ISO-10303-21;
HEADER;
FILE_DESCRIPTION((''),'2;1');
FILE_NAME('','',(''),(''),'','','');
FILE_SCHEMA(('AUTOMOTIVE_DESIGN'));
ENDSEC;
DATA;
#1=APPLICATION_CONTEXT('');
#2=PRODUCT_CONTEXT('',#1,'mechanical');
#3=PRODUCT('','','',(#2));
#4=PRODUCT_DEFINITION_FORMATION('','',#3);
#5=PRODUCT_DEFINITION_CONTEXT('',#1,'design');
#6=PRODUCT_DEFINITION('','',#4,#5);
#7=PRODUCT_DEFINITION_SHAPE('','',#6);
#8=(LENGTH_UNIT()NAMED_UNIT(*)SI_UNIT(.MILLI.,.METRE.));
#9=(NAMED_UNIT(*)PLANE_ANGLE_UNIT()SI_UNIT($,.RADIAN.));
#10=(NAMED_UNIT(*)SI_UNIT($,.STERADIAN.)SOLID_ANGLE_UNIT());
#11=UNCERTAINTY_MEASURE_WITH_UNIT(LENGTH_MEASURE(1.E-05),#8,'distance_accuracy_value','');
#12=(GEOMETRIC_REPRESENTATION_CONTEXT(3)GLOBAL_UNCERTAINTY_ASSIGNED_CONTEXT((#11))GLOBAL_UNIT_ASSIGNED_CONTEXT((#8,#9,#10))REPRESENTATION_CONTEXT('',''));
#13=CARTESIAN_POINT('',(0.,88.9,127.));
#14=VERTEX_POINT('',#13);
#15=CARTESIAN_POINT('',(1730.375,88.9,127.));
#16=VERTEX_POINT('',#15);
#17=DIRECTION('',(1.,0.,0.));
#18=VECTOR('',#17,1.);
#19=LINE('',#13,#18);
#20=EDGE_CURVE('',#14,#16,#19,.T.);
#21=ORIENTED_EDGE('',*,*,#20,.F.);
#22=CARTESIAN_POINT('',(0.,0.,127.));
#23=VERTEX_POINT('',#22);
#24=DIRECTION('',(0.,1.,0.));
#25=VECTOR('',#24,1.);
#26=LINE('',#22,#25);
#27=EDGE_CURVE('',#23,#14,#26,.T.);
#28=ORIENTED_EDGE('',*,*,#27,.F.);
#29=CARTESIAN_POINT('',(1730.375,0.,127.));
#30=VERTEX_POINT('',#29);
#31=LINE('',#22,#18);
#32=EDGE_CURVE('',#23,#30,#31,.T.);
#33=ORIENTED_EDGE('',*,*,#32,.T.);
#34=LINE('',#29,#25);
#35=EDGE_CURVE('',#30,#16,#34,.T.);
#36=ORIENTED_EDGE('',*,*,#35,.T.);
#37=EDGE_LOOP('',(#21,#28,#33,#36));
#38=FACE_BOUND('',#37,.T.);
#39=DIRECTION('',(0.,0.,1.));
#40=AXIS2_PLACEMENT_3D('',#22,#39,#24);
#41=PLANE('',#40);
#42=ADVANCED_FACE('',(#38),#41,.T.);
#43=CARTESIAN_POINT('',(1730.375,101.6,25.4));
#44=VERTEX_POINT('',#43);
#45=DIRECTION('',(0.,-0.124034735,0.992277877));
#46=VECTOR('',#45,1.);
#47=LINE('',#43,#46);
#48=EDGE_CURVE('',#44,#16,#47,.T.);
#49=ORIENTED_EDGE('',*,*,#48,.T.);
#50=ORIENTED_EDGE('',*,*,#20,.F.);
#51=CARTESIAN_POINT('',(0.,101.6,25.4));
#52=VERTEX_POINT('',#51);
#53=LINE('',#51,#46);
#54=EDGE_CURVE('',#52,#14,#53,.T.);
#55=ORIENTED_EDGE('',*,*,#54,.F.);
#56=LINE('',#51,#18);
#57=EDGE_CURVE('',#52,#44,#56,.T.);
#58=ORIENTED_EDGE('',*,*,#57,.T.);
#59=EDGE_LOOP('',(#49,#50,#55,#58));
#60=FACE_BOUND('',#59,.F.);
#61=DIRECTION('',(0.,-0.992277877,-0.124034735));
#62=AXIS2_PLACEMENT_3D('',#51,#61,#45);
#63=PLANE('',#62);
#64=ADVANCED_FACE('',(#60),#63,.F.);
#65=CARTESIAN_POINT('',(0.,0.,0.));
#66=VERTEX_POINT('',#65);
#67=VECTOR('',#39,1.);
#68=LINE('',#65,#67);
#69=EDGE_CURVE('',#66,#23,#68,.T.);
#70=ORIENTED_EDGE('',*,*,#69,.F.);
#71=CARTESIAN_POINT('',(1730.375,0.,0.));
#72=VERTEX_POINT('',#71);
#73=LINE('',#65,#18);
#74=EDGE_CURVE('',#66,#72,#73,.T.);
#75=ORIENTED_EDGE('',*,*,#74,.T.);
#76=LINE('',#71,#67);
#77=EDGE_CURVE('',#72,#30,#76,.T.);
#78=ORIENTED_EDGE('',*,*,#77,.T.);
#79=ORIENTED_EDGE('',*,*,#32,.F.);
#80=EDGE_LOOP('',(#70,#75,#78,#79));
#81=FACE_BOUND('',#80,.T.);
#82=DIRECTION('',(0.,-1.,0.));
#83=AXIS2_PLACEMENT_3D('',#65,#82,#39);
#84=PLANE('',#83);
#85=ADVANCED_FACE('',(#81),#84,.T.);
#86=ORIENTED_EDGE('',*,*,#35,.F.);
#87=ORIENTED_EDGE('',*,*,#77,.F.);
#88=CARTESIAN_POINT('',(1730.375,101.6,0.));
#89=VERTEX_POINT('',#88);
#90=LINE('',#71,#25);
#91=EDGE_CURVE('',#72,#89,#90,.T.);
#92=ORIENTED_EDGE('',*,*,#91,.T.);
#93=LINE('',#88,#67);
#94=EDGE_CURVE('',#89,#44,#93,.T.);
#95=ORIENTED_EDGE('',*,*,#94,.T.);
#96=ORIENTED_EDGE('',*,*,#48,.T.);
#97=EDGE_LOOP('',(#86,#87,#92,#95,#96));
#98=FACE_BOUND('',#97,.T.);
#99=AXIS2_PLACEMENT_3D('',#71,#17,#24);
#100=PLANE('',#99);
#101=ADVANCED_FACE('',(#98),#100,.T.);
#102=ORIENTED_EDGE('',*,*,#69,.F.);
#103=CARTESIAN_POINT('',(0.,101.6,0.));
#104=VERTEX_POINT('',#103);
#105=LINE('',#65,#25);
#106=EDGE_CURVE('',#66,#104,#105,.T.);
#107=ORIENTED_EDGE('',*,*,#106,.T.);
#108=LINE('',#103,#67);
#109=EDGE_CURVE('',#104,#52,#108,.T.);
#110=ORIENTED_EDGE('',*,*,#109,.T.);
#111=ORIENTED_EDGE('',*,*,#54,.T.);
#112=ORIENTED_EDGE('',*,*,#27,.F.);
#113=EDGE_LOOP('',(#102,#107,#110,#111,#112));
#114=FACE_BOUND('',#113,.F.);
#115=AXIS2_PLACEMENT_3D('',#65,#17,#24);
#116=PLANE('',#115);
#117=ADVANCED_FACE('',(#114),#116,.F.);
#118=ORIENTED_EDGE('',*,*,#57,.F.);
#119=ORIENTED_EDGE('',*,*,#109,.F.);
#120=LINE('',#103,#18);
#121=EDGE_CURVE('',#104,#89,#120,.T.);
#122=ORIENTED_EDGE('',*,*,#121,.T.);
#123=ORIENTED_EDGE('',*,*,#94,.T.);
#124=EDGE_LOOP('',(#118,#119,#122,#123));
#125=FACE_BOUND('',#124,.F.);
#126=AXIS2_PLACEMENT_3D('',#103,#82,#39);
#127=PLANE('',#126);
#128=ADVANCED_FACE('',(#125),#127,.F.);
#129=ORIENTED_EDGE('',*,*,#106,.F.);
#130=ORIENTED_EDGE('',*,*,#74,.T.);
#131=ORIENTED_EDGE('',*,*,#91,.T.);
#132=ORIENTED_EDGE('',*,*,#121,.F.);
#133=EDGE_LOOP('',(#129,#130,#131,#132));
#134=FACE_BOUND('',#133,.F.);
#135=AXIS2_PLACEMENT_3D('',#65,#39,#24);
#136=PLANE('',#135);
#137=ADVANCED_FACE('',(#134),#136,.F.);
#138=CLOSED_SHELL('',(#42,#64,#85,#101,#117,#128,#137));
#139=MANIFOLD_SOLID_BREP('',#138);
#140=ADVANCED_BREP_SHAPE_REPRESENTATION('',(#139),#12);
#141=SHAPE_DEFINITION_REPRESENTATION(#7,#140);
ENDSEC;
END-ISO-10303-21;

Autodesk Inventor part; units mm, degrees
ref_plane "YZ Plane" through (0, 0, 0) normal (1, 0, 0) x (0, 1, 0)
ref_plane "XZ Plane" through (0, 0, 0) normal (0, 1, 0) x (-1, 0, 0)
ref_plane "XY Plane" through (0, 0, 0) normal (0, 0, 1) x (1, 0, 0)
sketch "Sketch1" plane through (0, 0, 0) normal (1, 0, 0) x (0, 1, 0)
  line L0 (0, 0) -> (101.6, 0)
  line L1 (0, 0) -> (0, 127)
  line L2 (0, 127) -> (88.9, 127)
  line L3 (101.6, 0) -> (101.6, 25.4)
  line L4 (101.6, 25.4) -> (88.9, 127)
  dimension "d0" = 101.6
  dimension "d1" = 127
  dimension "d2" = 88.9
  dimension "d3" = 25.4
extrude "Extrusion1" add sketch "Sketch1" along normal blind 1730.375
properties part number "Front Door Sill" material "Limestone"
